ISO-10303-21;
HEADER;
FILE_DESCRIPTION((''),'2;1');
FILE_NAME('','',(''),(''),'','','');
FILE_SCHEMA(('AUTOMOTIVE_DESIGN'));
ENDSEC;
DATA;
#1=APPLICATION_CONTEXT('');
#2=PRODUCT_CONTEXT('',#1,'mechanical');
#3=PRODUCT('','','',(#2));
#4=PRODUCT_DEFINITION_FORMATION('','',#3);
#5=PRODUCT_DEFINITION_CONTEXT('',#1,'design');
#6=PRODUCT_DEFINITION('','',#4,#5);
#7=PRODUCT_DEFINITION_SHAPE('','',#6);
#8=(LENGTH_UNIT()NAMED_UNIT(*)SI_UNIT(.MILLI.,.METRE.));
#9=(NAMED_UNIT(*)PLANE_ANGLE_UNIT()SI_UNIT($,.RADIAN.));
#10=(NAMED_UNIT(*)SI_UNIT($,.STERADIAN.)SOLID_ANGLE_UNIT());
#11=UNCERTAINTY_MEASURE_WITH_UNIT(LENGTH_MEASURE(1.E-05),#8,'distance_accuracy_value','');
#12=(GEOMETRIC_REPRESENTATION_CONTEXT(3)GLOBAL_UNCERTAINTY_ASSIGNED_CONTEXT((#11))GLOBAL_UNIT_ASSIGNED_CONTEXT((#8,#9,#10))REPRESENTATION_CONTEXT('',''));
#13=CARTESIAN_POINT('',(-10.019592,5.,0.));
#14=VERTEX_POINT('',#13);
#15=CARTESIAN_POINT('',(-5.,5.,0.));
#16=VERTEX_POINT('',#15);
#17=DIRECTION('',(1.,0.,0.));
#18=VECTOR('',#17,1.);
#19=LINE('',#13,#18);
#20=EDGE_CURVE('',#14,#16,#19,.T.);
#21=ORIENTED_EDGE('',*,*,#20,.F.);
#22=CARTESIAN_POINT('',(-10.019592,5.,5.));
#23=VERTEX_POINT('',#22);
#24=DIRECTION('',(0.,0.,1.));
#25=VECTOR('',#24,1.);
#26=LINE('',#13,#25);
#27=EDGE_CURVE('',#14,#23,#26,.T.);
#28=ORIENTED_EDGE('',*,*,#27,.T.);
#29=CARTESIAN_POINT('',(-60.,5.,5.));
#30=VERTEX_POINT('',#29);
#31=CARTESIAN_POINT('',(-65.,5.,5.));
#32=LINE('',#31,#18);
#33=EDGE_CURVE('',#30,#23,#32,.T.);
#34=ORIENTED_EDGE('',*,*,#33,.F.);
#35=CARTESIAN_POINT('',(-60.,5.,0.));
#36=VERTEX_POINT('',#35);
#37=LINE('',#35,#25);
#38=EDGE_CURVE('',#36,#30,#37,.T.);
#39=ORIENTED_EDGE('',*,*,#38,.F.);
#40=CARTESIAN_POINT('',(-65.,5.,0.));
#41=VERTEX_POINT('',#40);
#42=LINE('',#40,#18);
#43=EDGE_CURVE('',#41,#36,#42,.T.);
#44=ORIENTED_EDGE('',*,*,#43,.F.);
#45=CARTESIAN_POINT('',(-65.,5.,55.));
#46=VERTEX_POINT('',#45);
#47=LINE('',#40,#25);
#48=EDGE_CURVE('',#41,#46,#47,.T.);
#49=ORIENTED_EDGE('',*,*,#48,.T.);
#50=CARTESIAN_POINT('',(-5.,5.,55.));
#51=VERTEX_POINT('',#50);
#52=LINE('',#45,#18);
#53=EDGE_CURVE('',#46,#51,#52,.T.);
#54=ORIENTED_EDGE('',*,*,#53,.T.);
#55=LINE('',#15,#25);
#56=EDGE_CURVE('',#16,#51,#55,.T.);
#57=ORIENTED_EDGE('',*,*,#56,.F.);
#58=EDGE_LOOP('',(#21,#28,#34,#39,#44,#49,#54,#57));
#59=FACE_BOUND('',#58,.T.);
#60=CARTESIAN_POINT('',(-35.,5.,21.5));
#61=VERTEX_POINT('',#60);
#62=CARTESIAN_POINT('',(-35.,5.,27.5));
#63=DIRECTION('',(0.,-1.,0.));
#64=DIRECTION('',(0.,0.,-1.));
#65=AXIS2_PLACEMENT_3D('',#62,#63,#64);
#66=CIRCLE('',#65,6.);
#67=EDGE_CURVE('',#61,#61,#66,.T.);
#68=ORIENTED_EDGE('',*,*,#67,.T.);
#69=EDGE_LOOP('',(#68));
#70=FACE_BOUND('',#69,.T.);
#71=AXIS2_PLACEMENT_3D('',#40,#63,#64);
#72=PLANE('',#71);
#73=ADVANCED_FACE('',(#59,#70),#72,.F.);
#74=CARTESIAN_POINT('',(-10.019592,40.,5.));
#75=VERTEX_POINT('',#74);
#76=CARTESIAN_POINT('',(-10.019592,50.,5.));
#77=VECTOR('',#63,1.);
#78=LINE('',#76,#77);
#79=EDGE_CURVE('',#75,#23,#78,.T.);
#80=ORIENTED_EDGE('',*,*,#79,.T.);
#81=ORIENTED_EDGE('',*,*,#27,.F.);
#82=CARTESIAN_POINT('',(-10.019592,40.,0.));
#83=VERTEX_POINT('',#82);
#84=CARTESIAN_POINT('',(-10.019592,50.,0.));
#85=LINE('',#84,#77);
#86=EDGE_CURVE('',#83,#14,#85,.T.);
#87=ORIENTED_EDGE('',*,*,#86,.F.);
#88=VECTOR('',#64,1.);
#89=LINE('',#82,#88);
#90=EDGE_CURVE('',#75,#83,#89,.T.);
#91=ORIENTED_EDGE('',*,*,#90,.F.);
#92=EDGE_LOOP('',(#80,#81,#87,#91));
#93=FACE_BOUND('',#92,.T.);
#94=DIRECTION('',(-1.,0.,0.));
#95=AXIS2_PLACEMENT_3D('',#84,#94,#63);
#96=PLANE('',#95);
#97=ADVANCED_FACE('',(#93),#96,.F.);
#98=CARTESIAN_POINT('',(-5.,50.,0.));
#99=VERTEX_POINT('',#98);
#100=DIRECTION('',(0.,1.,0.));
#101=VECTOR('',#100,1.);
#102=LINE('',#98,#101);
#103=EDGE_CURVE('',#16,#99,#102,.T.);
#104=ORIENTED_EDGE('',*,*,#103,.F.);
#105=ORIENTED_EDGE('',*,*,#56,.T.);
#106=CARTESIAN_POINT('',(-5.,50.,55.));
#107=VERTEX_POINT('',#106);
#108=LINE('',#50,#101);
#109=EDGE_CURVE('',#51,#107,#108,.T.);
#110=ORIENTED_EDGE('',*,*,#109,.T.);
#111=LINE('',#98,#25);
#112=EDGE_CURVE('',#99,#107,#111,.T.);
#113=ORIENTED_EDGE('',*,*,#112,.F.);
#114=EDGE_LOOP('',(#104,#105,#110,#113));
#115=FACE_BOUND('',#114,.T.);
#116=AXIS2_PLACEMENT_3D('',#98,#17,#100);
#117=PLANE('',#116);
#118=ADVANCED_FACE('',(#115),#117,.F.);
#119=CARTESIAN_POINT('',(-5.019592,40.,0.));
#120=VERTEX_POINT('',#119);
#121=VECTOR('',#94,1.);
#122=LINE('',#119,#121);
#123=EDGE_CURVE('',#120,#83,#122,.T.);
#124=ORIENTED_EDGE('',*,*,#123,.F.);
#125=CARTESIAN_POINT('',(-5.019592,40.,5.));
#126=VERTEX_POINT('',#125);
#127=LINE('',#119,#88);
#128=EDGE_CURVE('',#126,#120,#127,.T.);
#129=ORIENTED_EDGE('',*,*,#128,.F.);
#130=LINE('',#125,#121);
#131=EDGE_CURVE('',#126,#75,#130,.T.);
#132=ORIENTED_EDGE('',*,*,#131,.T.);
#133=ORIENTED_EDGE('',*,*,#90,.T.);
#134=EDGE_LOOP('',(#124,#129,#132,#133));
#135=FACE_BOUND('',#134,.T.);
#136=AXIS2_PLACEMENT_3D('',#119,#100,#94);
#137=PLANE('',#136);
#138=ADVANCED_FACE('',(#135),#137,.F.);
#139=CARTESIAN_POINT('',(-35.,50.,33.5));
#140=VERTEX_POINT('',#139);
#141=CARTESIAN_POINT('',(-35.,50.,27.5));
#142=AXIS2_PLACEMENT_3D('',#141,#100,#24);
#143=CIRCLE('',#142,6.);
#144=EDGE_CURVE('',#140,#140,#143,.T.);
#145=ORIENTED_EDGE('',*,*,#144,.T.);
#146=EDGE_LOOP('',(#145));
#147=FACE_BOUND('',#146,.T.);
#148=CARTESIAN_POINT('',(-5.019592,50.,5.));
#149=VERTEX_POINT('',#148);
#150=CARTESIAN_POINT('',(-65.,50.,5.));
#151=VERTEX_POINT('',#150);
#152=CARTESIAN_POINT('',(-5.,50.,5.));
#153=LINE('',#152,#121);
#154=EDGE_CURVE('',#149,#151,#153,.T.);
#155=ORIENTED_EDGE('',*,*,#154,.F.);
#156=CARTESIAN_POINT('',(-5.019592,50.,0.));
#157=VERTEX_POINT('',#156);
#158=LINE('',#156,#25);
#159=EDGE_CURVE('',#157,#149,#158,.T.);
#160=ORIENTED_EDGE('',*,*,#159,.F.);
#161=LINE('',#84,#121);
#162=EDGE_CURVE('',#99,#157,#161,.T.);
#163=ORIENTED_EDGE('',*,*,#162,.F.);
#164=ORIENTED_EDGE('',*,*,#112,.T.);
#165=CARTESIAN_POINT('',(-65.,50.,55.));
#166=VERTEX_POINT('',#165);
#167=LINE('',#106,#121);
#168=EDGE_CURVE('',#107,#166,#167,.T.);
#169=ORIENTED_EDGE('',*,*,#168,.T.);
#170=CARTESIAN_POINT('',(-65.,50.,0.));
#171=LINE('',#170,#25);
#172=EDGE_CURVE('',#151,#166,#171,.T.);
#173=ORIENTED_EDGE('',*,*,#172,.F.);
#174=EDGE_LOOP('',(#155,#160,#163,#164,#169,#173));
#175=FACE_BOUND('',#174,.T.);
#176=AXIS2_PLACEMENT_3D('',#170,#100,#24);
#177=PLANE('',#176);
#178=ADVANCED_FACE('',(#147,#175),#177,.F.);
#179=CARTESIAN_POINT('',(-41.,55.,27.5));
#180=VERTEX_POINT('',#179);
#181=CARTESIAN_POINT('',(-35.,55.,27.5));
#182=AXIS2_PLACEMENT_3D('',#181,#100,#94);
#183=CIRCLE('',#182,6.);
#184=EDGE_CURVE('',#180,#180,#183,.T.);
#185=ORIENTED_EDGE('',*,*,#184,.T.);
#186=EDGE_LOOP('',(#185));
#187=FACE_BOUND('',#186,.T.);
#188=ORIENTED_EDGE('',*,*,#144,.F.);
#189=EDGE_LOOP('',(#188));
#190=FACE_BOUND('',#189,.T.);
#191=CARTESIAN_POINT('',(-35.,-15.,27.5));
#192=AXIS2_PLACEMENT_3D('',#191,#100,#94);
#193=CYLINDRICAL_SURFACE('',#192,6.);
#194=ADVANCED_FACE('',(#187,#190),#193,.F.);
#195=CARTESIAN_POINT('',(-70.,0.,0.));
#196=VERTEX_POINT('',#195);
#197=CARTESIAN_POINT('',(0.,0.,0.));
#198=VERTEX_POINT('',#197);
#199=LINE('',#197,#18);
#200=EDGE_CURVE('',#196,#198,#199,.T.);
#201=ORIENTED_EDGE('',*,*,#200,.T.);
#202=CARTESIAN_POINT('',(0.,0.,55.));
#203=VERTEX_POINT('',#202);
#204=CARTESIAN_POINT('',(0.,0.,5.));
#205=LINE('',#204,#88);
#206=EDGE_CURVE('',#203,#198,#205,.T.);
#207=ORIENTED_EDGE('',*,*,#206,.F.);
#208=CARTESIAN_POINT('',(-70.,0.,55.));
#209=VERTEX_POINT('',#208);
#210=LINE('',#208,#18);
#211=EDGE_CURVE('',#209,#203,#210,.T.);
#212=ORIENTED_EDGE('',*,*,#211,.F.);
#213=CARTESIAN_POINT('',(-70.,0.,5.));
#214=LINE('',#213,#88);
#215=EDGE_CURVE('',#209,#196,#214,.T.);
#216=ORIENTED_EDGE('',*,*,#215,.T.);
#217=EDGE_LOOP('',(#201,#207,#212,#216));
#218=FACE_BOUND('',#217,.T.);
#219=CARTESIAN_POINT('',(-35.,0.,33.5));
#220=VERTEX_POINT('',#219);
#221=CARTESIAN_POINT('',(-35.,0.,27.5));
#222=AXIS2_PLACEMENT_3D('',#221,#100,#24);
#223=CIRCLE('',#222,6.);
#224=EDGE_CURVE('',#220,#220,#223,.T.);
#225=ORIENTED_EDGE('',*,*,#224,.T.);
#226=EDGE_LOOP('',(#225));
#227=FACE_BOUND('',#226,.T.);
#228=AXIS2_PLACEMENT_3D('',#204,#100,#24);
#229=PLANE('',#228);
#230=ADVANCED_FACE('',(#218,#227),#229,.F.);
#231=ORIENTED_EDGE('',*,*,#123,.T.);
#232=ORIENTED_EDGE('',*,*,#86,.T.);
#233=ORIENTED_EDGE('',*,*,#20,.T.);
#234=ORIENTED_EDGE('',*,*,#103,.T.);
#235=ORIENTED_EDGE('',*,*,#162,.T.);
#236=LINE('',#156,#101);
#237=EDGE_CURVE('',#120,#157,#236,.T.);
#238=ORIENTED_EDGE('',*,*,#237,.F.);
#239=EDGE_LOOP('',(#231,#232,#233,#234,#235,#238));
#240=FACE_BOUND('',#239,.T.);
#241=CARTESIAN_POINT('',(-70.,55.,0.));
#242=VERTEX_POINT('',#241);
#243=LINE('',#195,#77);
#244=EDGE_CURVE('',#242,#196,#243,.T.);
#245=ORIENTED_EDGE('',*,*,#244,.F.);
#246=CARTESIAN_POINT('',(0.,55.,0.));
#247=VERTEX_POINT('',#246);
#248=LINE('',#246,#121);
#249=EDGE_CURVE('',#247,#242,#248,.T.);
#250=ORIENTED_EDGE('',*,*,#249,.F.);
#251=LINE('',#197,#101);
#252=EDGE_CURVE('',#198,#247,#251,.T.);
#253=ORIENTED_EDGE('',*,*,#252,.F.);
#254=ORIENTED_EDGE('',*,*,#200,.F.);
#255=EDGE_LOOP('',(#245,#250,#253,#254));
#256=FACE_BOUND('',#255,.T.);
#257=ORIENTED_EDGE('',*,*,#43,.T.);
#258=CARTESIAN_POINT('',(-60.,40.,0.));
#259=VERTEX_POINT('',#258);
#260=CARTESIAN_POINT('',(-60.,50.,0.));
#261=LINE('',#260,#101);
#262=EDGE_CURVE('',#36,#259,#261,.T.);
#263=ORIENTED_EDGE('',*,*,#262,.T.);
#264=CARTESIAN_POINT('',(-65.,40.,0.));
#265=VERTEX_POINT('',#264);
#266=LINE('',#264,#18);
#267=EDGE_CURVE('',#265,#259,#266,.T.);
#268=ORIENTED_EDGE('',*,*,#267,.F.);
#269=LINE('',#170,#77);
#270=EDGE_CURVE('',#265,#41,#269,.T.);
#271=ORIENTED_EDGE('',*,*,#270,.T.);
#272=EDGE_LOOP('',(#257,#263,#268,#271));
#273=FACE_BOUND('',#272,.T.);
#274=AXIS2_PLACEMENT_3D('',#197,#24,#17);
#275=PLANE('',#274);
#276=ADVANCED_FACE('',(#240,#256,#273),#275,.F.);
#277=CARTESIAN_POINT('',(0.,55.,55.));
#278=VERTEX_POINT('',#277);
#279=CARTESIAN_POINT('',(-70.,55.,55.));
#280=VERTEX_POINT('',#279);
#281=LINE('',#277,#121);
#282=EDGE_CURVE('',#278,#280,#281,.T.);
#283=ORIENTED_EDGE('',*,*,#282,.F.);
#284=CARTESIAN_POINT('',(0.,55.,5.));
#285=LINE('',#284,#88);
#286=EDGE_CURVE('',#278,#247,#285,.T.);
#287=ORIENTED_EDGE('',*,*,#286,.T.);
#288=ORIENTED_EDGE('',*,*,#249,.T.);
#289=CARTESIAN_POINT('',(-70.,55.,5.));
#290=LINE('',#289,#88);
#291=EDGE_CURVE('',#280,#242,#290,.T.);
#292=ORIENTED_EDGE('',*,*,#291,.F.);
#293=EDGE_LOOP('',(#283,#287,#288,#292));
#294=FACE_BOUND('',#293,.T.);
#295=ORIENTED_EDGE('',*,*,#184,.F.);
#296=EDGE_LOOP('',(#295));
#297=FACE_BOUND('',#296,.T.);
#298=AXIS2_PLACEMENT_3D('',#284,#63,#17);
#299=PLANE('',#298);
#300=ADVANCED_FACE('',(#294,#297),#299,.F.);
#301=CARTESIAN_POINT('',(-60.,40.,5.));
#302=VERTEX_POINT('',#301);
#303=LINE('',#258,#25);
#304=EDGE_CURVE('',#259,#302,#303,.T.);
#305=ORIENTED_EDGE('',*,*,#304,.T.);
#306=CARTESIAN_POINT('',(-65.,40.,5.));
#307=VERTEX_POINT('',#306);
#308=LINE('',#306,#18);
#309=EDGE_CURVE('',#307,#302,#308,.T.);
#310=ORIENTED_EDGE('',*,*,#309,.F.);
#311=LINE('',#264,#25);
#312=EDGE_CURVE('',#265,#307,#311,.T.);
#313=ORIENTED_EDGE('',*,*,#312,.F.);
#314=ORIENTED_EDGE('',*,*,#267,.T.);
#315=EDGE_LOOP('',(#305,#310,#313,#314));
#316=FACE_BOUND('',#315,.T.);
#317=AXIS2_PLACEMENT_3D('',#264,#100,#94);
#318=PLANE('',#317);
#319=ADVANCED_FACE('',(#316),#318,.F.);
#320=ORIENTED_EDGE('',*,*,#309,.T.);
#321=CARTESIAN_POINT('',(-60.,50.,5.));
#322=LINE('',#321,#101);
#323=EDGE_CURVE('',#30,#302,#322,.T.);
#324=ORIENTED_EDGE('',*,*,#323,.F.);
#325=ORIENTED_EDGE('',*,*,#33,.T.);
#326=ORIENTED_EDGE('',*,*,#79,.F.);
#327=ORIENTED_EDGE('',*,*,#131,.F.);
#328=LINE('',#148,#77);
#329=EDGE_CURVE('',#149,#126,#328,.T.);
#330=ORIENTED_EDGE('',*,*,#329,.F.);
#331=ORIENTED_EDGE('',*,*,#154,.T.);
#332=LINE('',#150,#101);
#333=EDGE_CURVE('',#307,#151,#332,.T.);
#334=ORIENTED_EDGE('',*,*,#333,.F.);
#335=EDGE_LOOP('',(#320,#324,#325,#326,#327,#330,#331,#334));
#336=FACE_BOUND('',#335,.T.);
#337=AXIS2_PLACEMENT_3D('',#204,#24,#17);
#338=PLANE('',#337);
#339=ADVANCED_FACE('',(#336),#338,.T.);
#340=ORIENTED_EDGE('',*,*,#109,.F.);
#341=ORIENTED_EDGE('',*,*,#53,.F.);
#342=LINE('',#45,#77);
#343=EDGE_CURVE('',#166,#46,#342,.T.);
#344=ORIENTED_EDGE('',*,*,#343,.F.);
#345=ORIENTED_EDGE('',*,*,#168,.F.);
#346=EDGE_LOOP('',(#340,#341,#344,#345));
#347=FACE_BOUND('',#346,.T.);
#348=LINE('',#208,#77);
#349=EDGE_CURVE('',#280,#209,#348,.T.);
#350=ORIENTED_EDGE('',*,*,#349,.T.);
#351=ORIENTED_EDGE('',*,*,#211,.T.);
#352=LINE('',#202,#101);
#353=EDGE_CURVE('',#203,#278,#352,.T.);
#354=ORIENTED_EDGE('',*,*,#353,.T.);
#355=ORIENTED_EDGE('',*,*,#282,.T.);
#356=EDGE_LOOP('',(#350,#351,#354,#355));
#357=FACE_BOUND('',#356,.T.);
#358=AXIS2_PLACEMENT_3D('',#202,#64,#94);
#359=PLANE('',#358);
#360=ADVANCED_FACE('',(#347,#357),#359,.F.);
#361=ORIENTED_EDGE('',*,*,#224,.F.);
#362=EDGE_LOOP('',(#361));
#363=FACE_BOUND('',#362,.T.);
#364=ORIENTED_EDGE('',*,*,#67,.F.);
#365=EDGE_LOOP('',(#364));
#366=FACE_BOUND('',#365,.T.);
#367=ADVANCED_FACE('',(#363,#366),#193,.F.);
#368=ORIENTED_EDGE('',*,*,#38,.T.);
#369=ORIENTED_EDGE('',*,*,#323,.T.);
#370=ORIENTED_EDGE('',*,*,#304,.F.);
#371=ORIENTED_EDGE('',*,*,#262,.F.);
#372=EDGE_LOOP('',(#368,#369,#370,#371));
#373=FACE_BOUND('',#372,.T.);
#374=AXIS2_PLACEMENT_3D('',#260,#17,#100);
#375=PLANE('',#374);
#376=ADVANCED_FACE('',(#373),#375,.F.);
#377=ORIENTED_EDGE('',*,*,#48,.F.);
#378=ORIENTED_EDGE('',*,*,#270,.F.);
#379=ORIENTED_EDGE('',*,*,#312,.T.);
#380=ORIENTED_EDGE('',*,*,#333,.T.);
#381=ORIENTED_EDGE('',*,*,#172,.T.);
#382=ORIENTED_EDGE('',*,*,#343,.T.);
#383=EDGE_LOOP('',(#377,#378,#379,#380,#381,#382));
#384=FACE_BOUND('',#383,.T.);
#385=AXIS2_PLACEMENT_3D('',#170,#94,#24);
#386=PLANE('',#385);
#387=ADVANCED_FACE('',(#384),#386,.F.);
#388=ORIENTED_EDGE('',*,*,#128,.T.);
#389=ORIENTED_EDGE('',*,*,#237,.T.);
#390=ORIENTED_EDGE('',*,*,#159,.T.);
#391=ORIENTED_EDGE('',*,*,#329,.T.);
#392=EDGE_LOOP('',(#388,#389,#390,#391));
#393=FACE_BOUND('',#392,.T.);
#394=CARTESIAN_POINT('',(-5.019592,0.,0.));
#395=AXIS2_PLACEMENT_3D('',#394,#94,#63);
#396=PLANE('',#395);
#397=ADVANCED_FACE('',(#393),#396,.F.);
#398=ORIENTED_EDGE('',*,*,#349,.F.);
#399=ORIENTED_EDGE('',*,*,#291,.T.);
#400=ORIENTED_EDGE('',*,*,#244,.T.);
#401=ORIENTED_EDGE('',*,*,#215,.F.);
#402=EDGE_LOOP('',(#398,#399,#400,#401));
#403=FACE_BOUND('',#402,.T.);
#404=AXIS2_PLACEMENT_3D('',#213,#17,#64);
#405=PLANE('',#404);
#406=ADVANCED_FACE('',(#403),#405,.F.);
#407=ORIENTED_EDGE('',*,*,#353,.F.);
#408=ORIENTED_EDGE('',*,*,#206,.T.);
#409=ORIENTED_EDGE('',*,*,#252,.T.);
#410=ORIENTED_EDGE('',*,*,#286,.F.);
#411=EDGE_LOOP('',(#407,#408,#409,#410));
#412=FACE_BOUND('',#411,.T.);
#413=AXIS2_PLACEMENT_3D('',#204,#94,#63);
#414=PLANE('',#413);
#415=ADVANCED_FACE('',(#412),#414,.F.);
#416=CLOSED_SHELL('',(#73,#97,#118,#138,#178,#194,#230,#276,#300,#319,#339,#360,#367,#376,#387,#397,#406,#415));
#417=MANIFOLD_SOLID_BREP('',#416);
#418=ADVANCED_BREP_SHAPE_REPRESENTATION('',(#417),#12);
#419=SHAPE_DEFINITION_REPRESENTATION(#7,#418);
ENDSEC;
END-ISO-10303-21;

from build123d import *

# Parameters (mm, degrees)
SKETCH1_W           = 70
SKETCH1_H           = 55
BOSS_EXTRUDE1_DEPTH = 5
SKETCH2_W           = 5
SKETCH2_H           = 45
SKETCH2_W_2         = 5.019591865
CUT_EXTRUDE1_DEPTH  = 5
SKETCH6_W           = 60
SKETCH6_H           = 45
BOSS_EXTRUDE4_DEPTH = 50
SKETCH7_R           = 6
CUT_EXTRUDE2_DEPTH  = 70
SKETCH8_W           = 5
SKETCH8_H           = 10
BOSS_EXTRUDE5_DEPTH = 5
SKETCH9_W           = 5
SKETCH9_H           = 10
BOSS_EXTRUDE6_DEPTH = 5


with BuildPart() as part:
    # Sketch1 → Boss-Extrude1 (new body)
    with BuildSketch(Plane.XY):
        with Locations((-35, 27.5)):
            Rectangle(SKETCH1_W, SKETCH1_H)
    extrude(amount=BOSS_EXTRUDE1_DEPTH)

    # Sketch2 → Cut-Extrude1 (cut)
    with BuildSketch(Plane.XY.offset(5)):
        with Locations((-62.5, 27.5)):
            Rectangle(SKETCH2_W, SKETCH2_H)
        with Locations((-7.509795933, 27.5)):
            Rectangle(SKETCH2_W_2, SKETCH2_H)
    extrude(amount=-CUT_EXTRUDE1_DEPTH, mode=Mode.SUBTRACT)

    # Sketch6 → Boss-Extrude4 (add)
    with BuildSketch(Plane.XY.offset(5)):
        Polygon((-70, 0), (-65, 0), (-5, 0), (0, 0), (0, 55), (-5, 55), (-65, 55), (-70, 55), align=None)
        with Locations((-35, 27.5)):
            Rectangle(SKETCH6_W, SKETCH6_H, mode=Mode.SUBTRACT)
    extrude(amount=BOSS_EXTRUDE4_DEPTH)

    # Sketch7 → Cut-Extrude2 (cut)
    with BuildSketch(Plane(origin=(0, 55, 0), x_dir=(1, 0, 0), z_dir=(0, 1, 0))):
        with Locations(Location((-35, -27.5, 0), (0, 0, 90))):
            Circle(SKETCH7_R)
    extrude(amount=-CUT_EXTRUDE2_DEPTH, mode=Mode.SUBTRACT)

    # Sketch8 → Boss-Extrude5 (add)
    with BuildSketch(Plane(origin=(-10.019591865, 0, 0), x_dir=(0, 0, -1), z_dir=(1, 0, 0))):
        with Locations((-2.5, 45)):
            Rectangle(SKETCH8_W, SKETCH8_H)
    extrude(amount=BOSS_EXTRUDE5_DEPTH)

    # Sketch9 → Boss-Extrude6 (add)
    with BuildSketch(Plane.ZY.offset(60)):
        with Locations((2.5, 45)):
            Rectangle(SKETCH9_W, SKETCH9_H)
    extrude(amount=BOSS_EXTRUDE6_DEPTH)


solid = part.part
